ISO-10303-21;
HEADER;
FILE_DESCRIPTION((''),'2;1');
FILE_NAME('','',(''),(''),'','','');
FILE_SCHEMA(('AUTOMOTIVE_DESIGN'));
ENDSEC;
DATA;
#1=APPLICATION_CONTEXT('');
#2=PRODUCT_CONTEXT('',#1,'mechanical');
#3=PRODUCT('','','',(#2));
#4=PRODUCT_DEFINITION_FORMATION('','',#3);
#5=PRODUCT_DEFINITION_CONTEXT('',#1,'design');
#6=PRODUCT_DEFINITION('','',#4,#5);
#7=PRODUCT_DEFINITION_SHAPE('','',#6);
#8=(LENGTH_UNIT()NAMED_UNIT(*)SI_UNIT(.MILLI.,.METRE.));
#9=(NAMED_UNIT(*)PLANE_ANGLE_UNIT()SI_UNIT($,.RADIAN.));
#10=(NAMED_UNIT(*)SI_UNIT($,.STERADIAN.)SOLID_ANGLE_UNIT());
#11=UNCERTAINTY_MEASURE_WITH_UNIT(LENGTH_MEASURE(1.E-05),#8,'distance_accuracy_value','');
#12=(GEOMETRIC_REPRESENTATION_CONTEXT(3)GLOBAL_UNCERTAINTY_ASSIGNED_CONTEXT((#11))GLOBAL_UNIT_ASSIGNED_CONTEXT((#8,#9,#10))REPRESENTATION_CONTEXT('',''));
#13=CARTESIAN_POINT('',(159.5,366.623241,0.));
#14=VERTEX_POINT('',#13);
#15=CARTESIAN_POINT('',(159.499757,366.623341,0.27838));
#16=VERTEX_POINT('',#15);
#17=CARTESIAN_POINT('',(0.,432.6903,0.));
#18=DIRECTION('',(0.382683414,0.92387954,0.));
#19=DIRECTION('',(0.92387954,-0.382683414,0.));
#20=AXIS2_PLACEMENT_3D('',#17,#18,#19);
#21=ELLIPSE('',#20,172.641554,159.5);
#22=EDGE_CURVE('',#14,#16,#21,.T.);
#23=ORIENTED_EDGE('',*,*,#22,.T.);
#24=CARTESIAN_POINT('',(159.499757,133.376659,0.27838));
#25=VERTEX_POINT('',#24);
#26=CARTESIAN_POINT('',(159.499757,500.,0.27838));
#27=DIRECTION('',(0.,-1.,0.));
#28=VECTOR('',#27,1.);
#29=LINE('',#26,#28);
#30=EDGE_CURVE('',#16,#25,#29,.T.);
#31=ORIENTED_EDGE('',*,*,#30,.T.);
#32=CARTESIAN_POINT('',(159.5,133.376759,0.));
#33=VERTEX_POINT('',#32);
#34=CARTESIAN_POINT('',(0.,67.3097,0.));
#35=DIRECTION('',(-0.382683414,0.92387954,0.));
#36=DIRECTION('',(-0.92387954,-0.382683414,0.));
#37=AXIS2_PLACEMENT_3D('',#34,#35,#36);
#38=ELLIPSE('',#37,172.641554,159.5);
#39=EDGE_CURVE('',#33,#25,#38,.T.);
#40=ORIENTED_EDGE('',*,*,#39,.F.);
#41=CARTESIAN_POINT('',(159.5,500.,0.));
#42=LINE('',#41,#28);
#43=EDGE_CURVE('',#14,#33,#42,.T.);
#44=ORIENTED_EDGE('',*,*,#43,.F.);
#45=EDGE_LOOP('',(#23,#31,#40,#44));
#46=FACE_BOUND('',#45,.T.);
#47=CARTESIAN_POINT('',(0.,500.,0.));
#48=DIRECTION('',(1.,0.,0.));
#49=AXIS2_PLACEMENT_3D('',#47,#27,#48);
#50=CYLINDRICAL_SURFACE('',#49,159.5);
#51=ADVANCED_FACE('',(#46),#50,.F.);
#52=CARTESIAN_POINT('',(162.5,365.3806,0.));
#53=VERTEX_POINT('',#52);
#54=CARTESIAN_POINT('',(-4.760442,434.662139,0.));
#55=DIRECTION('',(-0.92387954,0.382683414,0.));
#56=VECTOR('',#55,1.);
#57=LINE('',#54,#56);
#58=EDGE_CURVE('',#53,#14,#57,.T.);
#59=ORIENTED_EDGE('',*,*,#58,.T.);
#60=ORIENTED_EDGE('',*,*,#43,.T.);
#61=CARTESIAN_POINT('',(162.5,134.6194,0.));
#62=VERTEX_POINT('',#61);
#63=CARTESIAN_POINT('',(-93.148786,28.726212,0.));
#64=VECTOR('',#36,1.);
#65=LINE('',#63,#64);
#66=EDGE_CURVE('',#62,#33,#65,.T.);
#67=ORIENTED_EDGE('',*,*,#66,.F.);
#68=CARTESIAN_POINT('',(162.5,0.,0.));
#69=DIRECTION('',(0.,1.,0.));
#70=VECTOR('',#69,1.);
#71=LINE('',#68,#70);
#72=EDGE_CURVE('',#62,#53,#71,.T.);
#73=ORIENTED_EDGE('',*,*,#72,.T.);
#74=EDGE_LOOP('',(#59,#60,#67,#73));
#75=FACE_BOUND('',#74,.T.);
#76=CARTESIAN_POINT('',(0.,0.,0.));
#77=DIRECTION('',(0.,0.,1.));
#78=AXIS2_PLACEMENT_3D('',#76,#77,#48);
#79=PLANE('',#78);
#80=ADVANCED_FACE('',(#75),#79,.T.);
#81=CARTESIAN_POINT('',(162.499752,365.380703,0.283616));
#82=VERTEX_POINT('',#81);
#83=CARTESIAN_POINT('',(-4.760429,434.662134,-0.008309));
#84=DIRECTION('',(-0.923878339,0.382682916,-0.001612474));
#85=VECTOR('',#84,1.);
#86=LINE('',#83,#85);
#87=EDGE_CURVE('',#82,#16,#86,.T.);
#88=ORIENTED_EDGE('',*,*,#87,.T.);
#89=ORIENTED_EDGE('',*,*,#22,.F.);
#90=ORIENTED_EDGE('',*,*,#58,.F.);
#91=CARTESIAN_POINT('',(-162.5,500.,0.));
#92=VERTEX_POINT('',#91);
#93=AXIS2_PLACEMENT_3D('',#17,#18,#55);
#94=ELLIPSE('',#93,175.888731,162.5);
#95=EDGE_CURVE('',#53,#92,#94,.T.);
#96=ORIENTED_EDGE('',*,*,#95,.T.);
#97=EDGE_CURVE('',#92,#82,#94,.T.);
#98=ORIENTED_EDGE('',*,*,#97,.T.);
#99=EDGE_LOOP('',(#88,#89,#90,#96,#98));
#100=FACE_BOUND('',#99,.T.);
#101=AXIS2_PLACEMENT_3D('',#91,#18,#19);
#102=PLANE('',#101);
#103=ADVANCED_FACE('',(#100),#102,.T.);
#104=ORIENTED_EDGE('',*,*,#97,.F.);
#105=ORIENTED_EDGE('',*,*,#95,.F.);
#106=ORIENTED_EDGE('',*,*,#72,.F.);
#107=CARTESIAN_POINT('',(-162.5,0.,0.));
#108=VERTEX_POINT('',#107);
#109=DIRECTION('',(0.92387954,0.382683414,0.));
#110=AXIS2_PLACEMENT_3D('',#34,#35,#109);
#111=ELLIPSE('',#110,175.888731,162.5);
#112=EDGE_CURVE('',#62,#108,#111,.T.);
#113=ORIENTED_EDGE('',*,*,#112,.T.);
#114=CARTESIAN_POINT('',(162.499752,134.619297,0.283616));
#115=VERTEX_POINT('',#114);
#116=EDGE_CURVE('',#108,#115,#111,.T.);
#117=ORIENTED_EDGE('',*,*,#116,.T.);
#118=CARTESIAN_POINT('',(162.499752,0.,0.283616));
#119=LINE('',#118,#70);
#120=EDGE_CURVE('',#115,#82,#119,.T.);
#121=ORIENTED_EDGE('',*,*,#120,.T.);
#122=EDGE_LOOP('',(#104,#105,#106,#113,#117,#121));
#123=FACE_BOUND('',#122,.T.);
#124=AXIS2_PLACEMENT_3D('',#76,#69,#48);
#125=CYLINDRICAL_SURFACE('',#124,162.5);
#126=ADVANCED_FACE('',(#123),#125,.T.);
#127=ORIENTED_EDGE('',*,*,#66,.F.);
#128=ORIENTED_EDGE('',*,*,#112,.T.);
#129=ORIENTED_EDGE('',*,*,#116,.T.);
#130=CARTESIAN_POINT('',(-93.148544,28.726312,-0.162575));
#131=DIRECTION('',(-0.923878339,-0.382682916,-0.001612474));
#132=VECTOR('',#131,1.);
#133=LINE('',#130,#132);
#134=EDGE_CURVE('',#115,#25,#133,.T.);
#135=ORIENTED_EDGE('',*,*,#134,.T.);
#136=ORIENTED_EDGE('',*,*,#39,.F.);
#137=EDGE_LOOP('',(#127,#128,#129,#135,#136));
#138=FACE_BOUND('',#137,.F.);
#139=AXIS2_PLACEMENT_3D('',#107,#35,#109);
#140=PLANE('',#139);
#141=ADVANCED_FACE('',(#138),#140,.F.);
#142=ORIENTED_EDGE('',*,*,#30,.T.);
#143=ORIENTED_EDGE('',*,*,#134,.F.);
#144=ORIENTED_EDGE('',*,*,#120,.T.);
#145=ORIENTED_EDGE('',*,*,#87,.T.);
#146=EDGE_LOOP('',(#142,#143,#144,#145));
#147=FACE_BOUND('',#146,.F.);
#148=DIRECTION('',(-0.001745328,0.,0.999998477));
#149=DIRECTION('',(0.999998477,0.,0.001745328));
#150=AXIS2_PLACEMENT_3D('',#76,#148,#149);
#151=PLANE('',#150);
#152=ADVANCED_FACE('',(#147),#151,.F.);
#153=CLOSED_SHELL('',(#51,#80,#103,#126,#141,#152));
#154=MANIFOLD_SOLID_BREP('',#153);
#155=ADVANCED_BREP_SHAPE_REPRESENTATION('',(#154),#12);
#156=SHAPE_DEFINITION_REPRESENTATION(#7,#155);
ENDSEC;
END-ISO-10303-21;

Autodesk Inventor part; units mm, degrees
ref_plane "YZ Plane" through (0, 0, 0) normal (1, 0, 0) x (0, 1, 0)
ref_plane "XZ Plane" through (0, 0, 0) normal (0, 1, 0) x (-1, 0, 0)
ref_plane "XY Plane" through (0, 0, 0) normal (0, 0, 1) x (1, 0, 0)
sketch "Sketch1" plane through (0, 0, 0) normal (0, 0, 1) x (1, 0, 0)
  line L0 (0, 0) -> (0, 204.8418)
  line L1 (159.5, 0) -> (162.5, 0)
  line L2 (162.5, 0) -> (162.5, 500)
  line L3 (162.5, 500) -> (159.5, 500)
  line L4 (159.5, 500) -> (159.5, 0)
  dimension "d0" = 3
  dimension "d1" = 500
  dimension "d2" = 325
revolve "Revolution1" add sketch "Sketch1" angle 359.9 about axis through (0, 0, 0) along (0, 1, 0)
sketch "Sketch2" plane through (0, 0, 0) normal (0, 0, 1) x (1, 0, 0)
  line L0 (162.5, 500) -> (-162.5, 500) projected
  line L1 (162.5, 0) -> (162.5, 500) projected
  line L2 (-162.5, 0) -> (-162.5, 500) projected
  line L3 (162.5, 0) -> (-162.5, 0) projected
  line L4 (-162.5, 0) -> (162.5, 134.6194)
  line L5 (-162.5, 500) -> (162.5, 365.3806)
  line L6 (-162.5, 250) -> (162.5, 250)
  point P0 (0, 0)
  point P1 (162.4998, 500)
  point P2 (162.4998, 0)
  dimension "d7" = 22.5
extrude "Extrusion1" cut sketch "Sketch2" along normal through all both and the other way through all contours L1 L5 L0 | L4 L1 L3
equation "\"BendRadius\" = Thickness"
equation "\"BendReliefWidth\" = Thickness"
equation "\"BendReliefDepth\" = 0.5 * Thickness"
equation "\"CornerReliefSize\" = 4 * Thickness"
equation "\"MinimumRemnant\" = 2 * Thickness"
equation "\"TransitionRadius\" = BendRadius"
equation "\"JacobiRadiusSize\" = BendRadius"
equation "\"GapSize\" = Thickness"
equation "\"Thickness\" = 3"
properties part number "GBK-RK-0032 tube segmeng 2"
